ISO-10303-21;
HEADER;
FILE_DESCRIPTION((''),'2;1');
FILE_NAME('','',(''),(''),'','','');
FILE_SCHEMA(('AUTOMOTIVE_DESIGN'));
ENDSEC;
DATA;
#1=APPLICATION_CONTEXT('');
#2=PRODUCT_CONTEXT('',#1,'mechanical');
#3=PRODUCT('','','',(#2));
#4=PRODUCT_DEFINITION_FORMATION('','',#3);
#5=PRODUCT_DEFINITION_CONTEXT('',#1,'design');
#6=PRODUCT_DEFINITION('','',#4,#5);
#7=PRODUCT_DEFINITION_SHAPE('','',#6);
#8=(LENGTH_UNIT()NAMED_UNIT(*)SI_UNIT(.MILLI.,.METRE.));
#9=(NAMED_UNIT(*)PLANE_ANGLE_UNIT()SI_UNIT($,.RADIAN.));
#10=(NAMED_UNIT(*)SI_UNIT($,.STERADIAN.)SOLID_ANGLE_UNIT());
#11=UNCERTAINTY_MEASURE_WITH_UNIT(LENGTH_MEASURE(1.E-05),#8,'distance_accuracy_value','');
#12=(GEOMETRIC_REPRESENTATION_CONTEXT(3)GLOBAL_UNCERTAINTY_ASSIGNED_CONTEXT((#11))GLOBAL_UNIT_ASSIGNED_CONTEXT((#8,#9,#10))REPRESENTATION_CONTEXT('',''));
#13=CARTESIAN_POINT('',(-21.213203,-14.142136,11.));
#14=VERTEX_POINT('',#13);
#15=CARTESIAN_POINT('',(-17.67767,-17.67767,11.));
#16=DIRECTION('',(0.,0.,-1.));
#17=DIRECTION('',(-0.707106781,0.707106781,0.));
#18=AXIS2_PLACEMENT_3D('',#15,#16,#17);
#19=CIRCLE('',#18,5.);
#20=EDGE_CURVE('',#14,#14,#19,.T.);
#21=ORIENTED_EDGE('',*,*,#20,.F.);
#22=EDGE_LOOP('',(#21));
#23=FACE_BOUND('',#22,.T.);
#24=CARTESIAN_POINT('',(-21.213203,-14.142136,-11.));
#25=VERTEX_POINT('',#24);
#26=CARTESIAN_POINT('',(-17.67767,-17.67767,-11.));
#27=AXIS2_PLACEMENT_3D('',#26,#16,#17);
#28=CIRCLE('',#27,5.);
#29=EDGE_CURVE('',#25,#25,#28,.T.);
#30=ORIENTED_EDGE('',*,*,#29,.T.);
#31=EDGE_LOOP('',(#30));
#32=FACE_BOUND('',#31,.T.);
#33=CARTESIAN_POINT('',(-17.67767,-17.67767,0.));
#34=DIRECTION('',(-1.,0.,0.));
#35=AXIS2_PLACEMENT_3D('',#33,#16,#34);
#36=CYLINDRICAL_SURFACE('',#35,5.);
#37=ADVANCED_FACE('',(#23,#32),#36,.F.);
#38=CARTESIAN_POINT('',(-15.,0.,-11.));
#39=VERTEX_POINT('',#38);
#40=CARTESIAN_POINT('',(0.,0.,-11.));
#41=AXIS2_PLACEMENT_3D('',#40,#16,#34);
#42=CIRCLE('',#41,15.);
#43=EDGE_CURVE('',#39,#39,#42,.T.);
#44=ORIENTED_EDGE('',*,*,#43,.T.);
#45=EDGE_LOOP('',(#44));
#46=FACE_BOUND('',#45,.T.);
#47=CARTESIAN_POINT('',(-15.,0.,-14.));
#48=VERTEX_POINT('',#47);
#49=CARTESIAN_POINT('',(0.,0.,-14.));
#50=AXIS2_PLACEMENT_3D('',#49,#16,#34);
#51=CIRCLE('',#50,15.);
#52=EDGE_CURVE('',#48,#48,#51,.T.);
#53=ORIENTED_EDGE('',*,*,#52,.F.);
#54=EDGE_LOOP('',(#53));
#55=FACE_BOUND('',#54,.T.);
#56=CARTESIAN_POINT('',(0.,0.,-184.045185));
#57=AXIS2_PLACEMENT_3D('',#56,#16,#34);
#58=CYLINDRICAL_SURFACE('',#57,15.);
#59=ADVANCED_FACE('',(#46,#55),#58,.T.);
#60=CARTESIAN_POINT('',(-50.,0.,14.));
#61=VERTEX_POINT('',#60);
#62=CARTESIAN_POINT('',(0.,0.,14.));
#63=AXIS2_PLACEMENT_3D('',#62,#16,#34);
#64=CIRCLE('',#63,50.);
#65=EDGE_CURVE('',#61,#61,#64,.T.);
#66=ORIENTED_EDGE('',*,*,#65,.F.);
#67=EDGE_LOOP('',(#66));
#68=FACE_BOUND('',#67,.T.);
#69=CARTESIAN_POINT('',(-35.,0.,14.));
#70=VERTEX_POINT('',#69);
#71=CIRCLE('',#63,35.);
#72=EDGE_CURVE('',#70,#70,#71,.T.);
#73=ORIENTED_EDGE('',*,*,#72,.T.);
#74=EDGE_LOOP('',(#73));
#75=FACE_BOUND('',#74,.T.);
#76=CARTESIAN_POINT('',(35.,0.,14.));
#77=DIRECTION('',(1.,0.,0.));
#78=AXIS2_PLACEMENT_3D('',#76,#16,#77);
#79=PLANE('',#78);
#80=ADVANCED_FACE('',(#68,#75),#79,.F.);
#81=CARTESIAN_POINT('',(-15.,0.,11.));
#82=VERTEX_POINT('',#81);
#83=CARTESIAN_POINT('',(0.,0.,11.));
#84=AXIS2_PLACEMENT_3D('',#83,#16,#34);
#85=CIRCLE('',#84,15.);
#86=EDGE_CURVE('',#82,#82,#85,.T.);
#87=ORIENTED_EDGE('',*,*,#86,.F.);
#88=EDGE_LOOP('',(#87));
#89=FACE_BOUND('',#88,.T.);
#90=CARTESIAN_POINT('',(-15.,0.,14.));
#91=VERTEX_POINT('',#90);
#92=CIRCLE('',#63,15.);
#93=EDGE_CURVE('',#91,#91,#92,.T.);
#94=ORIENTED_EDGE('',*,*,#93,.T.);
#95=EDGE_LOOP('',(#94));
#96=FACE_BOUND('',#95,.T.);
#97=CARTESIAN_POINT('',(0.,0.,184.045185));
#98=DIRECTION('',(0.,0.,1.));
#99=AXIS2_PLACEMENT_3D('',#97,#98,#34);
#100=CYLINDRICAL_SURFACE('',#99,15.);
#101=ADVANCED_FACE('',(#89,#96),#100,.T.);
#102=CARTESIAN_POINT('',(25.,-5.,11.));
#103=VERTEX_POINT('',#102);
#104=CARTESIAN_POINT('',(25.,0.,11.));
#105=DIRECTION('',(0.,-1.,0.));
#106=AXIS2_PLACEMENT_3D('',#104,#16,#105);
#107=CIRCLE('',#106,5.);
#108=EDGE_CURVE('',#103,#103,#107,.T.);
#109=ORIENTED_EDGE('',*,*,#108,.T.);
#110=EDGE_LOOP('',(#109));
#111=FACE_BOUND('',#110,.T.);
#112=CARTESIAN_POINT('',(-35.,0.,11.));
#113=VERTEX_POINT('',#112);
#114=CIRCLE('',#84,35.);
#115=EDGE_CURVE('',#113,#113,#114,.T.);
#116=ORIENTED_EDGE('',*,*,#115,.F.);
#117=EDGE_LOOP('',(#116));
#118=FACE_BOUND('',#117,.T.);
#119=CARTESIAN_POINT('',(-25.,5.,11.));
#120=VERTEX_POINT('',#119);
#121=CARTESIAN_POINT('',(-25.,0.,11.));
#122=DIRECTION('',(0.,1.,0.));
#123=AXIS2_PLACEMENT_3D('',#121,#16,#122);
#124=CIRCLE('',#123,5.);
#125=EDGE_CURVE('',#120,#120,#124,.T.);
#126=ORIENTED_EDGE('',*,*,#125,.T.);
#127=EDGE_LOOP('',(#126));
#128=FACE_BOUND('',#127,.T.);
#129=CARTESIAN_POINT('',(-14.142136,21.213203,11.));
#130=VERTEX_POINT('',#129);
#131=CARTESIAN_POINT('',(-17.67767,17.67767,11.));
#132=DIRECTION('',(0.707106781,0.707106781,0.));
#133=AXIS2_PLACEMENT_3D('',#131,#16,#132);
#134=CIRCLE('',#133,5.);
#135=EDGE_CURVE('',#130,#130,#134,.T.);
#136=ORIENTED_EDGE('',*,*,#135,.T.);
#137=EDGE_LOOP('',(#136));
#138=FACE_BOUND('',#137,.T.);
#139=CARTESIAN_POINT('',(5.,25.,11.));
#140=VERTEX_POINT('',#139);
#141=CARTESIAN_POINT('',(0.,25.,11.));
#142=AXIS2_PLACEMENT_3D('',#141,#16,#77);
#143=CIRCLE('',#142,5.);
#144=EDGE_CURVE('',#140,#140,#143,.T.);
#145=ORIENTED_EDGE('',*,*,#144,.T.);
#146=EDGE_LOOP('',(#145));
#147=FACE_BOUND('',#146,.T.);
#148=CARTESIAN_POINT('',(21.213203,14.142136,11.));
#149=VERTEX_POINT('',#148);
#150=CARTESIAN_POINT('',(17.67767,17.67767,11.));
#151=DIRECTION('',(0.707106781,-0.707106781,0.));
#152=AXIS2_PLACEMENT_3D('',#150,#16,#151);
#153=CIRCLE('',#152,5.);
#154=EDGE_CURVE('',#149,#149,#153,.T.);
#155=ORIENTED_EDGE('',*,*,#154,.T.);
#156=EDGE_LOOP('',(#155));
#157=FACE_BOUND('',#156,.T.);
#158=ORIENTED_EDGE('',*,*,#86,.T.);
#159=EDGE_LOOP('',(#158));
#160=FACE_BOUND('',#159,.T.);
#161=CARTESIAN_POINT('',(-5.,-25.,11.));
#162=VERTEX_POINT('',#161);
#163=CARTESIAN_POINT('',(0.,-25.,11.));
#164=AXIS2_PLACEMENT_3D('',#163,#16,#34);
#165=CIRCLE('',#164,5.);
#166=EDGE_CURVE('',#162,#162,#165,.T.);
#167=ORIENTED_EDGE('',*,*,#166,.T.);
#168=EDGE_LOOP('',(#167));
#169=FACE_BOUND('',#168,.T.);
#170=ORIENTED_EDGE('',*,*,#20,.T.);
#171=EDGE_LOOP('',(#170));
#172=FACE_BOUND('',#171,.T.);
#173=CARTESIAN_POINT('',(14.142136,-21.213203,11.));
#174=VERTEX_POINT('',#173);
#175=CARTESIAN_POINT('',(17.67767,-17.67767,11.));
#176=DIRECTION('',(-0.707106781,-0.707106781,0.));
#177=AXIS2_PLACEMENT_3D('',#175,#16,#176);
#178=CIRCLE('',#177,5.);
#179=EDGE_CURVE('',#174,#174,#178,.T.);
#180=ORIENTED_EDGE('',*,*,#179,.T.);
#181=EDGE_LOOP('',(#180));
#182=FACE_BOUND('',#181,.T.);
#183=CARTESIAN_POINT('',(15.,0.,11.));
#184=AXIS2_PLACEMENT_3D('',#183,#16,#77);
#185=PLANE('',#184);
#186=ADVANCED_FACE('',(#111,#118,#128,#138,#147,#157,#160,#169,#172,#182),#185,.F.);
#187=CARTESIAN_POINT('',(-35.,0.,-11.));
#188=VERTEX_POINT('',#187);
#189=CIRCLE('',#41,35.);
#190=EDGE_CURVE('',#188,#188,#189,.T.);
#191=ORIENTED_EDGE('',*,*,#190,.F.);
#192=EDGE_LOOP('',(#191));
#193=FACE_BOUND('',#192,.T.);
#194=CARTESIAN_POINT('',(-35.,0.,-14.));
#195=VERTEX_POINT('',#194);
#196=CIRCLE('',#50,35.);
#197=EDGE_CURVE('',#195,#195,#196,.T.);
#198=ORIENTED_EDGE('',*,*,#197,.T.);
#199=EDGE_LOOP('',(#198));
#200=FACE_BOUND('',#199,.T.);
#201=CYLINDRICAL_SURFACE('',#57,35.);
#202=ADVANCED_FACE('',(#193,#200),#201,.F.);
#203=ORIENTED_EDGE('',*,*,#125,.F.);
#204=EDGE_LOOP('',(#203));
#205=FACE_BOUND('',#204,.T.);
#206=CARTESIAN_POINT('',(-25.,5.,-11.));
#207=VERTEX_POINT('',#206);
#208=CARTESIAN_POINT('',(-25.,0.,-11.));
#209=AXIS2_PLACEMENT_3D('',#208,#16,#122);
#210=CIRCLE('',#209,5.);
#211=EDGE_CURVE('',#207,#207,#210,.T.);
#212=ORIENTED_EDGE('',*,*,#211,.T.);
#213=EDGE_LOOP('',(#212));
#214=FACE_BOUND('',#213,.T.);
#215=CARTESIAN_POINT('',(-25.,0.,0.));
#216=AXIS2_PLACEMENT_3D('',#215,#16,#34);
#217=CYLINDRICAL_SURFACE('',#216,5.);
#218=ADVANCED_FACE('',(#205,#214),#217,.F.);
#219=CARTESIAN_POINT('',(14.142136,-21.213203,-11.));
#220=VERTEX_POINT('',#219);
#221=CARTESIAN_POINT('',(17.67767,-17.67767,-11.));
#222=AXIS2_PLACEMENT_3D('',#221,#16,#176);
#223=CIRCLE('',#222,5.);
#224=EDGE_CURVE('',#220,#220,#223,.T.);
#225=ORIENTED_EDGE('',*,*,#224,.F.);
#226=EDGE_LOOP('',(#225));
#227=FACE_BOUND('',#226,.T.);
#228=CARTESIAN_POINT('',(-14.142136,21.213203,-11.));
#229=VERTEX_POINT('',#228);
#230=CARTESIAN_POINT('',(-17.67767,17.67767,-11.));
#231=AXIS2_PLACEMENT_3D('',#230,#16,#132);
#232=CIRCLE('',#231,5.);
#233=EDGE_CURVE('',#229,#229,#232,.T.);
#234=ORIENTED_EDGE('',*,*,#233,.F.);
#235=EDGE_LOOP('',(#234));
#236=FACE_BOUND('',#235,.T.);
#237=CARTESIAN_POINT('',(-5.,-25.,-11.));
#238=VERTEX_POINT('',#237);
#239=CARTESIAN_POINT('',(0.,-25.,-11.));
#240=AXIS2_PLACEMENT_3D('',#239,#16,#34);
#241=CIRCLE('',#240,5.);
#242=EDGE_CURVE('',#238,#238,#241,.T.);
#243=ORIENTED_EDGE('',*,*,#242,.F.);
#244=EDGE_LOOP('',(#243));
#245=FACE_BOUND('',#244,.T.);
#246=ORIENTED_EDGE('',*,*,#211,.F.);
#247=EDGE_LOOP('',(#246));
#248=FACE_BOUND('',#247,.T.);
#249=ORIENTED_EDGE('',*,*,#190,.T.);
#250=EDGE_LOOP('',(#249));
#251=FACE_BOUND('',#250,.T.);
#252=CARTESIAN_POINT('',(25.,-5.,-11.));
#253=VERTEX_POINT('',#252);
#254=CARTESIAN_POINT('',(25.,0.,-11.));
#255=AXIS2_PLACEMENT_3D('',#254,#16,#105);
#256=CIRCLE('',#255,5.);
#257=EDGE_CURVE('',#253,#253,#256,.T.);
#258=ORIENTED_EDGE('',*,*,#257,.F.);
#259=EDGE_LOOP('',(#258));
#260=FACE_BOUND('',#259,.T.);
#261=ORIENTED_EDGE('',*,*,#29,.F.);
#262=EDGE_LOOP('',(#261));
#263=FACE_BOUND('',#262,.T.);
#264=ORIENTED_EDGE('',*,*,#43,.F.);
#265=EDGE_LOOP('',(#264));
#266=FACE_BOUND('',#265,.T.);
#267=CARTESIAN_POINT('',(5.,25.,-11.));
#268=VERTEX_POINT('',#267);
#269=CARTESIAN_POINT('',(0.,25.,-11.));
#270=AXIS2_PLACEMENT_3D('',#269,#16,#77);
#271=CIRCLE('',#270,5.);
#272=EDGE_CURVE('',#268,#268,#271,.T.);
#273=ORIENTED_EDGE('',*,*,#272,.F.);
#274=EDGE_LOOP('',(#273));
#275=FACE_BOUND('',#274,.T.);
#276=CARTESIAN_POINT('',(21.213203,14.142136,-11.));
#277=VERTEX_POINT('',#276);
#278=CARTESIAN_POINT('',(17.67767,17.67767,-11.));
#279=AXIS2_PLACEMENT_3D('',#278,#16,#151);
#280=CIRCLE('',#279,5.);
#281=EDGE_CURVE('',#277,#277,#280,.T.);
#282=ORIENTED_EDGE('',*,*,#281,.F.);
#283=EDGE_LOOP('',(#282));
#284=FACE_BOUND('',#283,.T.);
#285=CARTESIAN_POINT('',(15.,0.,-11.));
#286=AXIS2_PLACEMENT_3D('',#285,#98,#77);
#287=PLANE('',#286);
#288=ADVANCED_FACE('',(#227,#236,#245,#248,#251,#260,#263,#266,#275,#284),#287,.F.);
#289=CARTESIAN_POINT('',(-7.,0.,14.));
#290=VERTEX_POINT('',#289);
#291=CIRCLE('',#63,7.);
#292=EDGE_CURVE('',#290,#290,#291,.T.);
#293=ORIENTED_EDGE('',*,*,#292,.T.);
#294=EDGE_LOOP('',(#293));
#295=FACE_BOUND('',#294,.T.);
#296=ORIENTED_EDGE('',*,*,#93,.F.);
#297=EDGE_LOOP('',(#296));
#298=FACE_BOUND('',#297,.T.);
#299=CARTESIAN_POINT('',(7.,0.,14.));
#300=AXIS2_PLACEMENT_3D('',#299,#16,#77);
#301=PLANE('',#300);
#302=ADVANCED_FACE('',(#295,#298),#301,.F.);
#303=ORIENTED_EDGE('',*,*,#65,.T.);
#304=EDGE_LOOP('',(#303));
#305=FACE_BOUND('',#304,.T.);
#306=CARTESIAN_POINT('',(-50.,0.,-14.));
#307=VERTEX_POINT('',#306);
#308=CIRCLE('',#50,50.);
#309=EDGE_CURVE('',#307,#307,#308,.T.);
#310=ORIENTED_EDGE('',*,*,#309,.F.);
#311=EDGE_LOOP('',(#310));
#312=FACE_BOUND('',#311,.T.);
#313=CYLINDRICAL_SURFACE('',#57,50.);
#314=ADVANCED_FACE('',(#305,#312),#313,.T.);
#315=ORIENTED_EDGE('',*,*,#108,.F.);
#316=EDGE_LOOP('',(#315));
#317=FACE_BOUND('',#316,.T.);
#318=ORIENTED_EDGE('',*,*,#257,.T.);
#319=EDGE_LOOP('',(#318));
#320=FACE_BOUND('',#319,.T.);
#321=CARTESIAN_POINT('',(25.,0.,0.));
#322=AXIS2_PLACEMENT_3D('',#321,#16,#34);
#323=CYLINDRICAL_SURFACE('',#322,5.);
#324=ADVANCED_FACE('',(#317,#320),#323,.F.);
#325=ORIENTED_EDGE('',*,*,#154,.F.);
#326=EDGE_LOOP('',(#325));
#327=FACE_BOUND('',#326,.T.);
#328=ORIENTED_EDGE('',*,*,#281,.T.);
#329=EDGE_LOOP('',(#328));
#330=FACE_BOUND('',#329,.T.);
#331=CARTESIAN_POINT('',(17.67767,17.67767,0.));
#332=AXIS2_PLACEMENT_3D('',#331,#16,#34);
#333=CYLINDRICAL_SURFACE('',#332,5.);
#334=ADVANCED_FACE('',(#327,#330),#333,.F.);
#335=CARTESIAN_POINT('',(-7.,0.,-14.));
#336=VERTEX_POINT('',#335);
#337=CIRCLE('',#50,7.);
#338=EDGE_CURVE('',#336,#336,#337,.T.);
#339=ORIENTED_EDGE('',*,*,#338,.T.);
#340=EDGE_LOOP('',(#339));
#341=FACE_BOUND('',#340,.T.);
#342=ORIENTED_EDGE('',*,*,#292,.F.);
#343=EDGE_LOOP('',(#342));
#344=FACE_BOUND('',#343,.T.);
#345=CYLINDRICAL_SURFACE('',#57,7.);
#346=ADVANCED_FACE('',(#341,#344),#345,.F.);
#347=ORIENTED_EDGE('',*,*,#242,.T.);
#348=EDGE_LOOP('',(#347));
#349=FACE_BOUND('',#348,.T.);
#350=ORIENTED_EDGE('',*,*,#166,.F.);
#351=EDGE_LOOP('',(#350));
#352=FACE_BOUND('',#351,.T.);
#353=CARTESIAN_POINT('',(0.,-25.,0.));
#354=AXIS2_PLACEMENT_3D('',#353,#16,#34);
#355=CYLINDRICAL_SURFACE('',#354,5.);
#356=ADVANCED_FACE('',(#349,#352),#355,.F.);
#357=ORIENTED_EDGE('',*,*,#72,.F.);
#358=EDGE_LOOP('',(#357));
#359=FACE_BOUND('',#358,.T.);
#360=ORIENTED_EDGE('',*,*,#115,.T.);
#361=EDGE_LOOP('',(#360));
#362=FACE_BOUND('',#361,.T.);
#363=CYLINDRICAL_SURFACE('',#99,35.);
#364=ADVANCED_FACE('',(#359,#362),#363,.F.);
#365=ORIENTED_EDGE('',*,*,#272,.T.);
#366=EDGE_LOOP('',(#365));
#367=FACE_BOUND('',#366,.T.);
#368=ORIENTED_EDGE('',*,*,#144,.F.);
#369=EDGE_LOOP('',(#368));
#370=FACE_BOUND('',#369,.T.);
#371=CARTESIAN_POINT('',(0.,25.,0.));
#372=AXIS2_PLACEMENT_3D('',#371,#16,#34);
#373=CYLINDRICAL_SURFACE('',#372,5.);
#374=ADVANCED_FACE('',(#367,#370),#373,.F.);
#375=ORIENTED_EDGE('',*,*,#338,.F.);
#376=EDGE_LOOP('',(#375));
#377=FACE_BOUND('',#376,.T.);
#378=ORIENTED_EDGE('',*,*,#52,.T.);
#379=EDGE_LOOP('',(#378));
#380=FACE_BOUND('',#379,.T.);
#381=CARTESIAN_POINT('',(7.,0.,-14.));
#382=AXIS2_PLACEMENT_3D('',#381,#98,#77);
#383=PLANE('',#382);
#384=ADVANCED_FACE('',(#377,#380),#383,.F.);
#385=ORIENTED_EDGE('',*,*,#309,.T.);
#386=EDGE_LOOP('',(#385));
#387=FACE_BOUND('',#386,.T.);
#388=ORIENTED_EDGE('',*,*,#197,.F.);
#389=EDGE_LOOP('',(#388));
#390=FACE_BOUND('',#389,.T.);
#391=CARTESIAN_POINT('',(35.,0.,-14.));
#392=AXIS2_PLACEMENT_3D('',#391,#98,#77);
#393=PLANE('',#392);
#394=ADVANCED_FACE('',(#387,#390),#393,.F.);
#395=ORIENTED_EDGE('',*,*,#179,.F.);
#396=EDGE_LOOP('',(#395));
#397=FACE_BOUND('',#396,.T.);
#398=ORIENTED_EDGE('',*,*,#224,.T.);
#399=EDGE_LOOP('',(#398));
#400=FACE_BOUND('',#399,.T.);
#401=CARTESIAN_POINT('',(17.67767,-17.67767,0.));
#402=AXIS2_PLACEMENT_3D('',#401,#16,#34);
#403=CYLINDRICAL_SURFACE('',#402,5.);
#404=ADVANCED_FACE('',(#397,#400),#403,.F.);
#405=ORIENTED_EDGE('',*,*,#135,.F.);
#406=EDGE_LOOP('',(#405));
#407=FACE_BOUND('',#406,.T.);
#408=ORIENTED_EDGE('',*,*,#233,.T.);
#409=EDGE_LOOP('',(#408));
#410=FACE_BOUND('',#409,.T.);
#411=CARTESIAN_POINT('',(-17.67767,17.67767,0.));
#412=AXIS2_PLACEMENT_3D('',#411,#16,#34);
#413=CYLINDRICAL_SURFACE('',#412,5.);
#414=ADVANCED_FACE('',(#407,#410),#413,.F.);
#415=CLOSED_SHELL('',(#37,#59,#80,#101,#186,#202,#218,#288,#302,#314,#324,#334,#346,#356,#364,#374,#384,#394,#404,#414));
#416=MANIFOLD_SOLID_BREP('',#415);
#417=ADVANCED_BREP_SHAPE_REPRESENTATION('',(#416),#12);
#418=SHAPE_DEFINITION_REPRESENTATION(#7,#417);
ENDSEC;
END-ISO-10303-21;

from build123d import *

# Parameters (mm, degrees)
SKETCH2_R          = 5
CUT_EXTRUDE1_DEPTH = 12
CIRPATTERN1_COUNT  = 8


with BuildPart() as part:
    # Sketch1 → Revolve1 (revolve)
    with BuildSketch(Plane(origin=(0, 0, 0), x_dir=(1, 0, 0), z_dir=(0, 1, 0))):
        Polygon((7, 0), (7, 14), (15, 14), (15, 11), (35, 11), (35, 14), (50, 14), (50, 0), align=None)
    revolve(axis=Axis((0, 0, -184.045185168), (0, 0, 1)))

    # Sketch2 → Cut-Extrude1 (cut, through all)
    with BuildSketch(Plane(origin=(0, 0, -11), x_dir=(-1, 0, 0), z_dir=(0, 0, -1))):
        with Locations((0, -25)):
            Circle(SKETCH2_R)
    cut_extrude1 = extrude(amount=-CUT_EXTRUDE1_DEPTH, mode=Mode.SUBTRACT)

    # CirPattern1: Cut-Extrude1 ×8 about axis
    cirpattern1_axis = Axis((0, 0, 0), (0, 0, 1))
    for i in range(1, CIRPATTERN1_COUNT):
        add(cut_extrude1.rotate(cirpattern1_axis, i * 360 / CIRPATTERN1_COUNT), mode=Mode.SUBTRACT)

    # Mirror1: part across plane


with BuildPart() as part_1:
    add(part.part)
    add(part.part.mirror(Plane.XY))


solid = part_1.part
